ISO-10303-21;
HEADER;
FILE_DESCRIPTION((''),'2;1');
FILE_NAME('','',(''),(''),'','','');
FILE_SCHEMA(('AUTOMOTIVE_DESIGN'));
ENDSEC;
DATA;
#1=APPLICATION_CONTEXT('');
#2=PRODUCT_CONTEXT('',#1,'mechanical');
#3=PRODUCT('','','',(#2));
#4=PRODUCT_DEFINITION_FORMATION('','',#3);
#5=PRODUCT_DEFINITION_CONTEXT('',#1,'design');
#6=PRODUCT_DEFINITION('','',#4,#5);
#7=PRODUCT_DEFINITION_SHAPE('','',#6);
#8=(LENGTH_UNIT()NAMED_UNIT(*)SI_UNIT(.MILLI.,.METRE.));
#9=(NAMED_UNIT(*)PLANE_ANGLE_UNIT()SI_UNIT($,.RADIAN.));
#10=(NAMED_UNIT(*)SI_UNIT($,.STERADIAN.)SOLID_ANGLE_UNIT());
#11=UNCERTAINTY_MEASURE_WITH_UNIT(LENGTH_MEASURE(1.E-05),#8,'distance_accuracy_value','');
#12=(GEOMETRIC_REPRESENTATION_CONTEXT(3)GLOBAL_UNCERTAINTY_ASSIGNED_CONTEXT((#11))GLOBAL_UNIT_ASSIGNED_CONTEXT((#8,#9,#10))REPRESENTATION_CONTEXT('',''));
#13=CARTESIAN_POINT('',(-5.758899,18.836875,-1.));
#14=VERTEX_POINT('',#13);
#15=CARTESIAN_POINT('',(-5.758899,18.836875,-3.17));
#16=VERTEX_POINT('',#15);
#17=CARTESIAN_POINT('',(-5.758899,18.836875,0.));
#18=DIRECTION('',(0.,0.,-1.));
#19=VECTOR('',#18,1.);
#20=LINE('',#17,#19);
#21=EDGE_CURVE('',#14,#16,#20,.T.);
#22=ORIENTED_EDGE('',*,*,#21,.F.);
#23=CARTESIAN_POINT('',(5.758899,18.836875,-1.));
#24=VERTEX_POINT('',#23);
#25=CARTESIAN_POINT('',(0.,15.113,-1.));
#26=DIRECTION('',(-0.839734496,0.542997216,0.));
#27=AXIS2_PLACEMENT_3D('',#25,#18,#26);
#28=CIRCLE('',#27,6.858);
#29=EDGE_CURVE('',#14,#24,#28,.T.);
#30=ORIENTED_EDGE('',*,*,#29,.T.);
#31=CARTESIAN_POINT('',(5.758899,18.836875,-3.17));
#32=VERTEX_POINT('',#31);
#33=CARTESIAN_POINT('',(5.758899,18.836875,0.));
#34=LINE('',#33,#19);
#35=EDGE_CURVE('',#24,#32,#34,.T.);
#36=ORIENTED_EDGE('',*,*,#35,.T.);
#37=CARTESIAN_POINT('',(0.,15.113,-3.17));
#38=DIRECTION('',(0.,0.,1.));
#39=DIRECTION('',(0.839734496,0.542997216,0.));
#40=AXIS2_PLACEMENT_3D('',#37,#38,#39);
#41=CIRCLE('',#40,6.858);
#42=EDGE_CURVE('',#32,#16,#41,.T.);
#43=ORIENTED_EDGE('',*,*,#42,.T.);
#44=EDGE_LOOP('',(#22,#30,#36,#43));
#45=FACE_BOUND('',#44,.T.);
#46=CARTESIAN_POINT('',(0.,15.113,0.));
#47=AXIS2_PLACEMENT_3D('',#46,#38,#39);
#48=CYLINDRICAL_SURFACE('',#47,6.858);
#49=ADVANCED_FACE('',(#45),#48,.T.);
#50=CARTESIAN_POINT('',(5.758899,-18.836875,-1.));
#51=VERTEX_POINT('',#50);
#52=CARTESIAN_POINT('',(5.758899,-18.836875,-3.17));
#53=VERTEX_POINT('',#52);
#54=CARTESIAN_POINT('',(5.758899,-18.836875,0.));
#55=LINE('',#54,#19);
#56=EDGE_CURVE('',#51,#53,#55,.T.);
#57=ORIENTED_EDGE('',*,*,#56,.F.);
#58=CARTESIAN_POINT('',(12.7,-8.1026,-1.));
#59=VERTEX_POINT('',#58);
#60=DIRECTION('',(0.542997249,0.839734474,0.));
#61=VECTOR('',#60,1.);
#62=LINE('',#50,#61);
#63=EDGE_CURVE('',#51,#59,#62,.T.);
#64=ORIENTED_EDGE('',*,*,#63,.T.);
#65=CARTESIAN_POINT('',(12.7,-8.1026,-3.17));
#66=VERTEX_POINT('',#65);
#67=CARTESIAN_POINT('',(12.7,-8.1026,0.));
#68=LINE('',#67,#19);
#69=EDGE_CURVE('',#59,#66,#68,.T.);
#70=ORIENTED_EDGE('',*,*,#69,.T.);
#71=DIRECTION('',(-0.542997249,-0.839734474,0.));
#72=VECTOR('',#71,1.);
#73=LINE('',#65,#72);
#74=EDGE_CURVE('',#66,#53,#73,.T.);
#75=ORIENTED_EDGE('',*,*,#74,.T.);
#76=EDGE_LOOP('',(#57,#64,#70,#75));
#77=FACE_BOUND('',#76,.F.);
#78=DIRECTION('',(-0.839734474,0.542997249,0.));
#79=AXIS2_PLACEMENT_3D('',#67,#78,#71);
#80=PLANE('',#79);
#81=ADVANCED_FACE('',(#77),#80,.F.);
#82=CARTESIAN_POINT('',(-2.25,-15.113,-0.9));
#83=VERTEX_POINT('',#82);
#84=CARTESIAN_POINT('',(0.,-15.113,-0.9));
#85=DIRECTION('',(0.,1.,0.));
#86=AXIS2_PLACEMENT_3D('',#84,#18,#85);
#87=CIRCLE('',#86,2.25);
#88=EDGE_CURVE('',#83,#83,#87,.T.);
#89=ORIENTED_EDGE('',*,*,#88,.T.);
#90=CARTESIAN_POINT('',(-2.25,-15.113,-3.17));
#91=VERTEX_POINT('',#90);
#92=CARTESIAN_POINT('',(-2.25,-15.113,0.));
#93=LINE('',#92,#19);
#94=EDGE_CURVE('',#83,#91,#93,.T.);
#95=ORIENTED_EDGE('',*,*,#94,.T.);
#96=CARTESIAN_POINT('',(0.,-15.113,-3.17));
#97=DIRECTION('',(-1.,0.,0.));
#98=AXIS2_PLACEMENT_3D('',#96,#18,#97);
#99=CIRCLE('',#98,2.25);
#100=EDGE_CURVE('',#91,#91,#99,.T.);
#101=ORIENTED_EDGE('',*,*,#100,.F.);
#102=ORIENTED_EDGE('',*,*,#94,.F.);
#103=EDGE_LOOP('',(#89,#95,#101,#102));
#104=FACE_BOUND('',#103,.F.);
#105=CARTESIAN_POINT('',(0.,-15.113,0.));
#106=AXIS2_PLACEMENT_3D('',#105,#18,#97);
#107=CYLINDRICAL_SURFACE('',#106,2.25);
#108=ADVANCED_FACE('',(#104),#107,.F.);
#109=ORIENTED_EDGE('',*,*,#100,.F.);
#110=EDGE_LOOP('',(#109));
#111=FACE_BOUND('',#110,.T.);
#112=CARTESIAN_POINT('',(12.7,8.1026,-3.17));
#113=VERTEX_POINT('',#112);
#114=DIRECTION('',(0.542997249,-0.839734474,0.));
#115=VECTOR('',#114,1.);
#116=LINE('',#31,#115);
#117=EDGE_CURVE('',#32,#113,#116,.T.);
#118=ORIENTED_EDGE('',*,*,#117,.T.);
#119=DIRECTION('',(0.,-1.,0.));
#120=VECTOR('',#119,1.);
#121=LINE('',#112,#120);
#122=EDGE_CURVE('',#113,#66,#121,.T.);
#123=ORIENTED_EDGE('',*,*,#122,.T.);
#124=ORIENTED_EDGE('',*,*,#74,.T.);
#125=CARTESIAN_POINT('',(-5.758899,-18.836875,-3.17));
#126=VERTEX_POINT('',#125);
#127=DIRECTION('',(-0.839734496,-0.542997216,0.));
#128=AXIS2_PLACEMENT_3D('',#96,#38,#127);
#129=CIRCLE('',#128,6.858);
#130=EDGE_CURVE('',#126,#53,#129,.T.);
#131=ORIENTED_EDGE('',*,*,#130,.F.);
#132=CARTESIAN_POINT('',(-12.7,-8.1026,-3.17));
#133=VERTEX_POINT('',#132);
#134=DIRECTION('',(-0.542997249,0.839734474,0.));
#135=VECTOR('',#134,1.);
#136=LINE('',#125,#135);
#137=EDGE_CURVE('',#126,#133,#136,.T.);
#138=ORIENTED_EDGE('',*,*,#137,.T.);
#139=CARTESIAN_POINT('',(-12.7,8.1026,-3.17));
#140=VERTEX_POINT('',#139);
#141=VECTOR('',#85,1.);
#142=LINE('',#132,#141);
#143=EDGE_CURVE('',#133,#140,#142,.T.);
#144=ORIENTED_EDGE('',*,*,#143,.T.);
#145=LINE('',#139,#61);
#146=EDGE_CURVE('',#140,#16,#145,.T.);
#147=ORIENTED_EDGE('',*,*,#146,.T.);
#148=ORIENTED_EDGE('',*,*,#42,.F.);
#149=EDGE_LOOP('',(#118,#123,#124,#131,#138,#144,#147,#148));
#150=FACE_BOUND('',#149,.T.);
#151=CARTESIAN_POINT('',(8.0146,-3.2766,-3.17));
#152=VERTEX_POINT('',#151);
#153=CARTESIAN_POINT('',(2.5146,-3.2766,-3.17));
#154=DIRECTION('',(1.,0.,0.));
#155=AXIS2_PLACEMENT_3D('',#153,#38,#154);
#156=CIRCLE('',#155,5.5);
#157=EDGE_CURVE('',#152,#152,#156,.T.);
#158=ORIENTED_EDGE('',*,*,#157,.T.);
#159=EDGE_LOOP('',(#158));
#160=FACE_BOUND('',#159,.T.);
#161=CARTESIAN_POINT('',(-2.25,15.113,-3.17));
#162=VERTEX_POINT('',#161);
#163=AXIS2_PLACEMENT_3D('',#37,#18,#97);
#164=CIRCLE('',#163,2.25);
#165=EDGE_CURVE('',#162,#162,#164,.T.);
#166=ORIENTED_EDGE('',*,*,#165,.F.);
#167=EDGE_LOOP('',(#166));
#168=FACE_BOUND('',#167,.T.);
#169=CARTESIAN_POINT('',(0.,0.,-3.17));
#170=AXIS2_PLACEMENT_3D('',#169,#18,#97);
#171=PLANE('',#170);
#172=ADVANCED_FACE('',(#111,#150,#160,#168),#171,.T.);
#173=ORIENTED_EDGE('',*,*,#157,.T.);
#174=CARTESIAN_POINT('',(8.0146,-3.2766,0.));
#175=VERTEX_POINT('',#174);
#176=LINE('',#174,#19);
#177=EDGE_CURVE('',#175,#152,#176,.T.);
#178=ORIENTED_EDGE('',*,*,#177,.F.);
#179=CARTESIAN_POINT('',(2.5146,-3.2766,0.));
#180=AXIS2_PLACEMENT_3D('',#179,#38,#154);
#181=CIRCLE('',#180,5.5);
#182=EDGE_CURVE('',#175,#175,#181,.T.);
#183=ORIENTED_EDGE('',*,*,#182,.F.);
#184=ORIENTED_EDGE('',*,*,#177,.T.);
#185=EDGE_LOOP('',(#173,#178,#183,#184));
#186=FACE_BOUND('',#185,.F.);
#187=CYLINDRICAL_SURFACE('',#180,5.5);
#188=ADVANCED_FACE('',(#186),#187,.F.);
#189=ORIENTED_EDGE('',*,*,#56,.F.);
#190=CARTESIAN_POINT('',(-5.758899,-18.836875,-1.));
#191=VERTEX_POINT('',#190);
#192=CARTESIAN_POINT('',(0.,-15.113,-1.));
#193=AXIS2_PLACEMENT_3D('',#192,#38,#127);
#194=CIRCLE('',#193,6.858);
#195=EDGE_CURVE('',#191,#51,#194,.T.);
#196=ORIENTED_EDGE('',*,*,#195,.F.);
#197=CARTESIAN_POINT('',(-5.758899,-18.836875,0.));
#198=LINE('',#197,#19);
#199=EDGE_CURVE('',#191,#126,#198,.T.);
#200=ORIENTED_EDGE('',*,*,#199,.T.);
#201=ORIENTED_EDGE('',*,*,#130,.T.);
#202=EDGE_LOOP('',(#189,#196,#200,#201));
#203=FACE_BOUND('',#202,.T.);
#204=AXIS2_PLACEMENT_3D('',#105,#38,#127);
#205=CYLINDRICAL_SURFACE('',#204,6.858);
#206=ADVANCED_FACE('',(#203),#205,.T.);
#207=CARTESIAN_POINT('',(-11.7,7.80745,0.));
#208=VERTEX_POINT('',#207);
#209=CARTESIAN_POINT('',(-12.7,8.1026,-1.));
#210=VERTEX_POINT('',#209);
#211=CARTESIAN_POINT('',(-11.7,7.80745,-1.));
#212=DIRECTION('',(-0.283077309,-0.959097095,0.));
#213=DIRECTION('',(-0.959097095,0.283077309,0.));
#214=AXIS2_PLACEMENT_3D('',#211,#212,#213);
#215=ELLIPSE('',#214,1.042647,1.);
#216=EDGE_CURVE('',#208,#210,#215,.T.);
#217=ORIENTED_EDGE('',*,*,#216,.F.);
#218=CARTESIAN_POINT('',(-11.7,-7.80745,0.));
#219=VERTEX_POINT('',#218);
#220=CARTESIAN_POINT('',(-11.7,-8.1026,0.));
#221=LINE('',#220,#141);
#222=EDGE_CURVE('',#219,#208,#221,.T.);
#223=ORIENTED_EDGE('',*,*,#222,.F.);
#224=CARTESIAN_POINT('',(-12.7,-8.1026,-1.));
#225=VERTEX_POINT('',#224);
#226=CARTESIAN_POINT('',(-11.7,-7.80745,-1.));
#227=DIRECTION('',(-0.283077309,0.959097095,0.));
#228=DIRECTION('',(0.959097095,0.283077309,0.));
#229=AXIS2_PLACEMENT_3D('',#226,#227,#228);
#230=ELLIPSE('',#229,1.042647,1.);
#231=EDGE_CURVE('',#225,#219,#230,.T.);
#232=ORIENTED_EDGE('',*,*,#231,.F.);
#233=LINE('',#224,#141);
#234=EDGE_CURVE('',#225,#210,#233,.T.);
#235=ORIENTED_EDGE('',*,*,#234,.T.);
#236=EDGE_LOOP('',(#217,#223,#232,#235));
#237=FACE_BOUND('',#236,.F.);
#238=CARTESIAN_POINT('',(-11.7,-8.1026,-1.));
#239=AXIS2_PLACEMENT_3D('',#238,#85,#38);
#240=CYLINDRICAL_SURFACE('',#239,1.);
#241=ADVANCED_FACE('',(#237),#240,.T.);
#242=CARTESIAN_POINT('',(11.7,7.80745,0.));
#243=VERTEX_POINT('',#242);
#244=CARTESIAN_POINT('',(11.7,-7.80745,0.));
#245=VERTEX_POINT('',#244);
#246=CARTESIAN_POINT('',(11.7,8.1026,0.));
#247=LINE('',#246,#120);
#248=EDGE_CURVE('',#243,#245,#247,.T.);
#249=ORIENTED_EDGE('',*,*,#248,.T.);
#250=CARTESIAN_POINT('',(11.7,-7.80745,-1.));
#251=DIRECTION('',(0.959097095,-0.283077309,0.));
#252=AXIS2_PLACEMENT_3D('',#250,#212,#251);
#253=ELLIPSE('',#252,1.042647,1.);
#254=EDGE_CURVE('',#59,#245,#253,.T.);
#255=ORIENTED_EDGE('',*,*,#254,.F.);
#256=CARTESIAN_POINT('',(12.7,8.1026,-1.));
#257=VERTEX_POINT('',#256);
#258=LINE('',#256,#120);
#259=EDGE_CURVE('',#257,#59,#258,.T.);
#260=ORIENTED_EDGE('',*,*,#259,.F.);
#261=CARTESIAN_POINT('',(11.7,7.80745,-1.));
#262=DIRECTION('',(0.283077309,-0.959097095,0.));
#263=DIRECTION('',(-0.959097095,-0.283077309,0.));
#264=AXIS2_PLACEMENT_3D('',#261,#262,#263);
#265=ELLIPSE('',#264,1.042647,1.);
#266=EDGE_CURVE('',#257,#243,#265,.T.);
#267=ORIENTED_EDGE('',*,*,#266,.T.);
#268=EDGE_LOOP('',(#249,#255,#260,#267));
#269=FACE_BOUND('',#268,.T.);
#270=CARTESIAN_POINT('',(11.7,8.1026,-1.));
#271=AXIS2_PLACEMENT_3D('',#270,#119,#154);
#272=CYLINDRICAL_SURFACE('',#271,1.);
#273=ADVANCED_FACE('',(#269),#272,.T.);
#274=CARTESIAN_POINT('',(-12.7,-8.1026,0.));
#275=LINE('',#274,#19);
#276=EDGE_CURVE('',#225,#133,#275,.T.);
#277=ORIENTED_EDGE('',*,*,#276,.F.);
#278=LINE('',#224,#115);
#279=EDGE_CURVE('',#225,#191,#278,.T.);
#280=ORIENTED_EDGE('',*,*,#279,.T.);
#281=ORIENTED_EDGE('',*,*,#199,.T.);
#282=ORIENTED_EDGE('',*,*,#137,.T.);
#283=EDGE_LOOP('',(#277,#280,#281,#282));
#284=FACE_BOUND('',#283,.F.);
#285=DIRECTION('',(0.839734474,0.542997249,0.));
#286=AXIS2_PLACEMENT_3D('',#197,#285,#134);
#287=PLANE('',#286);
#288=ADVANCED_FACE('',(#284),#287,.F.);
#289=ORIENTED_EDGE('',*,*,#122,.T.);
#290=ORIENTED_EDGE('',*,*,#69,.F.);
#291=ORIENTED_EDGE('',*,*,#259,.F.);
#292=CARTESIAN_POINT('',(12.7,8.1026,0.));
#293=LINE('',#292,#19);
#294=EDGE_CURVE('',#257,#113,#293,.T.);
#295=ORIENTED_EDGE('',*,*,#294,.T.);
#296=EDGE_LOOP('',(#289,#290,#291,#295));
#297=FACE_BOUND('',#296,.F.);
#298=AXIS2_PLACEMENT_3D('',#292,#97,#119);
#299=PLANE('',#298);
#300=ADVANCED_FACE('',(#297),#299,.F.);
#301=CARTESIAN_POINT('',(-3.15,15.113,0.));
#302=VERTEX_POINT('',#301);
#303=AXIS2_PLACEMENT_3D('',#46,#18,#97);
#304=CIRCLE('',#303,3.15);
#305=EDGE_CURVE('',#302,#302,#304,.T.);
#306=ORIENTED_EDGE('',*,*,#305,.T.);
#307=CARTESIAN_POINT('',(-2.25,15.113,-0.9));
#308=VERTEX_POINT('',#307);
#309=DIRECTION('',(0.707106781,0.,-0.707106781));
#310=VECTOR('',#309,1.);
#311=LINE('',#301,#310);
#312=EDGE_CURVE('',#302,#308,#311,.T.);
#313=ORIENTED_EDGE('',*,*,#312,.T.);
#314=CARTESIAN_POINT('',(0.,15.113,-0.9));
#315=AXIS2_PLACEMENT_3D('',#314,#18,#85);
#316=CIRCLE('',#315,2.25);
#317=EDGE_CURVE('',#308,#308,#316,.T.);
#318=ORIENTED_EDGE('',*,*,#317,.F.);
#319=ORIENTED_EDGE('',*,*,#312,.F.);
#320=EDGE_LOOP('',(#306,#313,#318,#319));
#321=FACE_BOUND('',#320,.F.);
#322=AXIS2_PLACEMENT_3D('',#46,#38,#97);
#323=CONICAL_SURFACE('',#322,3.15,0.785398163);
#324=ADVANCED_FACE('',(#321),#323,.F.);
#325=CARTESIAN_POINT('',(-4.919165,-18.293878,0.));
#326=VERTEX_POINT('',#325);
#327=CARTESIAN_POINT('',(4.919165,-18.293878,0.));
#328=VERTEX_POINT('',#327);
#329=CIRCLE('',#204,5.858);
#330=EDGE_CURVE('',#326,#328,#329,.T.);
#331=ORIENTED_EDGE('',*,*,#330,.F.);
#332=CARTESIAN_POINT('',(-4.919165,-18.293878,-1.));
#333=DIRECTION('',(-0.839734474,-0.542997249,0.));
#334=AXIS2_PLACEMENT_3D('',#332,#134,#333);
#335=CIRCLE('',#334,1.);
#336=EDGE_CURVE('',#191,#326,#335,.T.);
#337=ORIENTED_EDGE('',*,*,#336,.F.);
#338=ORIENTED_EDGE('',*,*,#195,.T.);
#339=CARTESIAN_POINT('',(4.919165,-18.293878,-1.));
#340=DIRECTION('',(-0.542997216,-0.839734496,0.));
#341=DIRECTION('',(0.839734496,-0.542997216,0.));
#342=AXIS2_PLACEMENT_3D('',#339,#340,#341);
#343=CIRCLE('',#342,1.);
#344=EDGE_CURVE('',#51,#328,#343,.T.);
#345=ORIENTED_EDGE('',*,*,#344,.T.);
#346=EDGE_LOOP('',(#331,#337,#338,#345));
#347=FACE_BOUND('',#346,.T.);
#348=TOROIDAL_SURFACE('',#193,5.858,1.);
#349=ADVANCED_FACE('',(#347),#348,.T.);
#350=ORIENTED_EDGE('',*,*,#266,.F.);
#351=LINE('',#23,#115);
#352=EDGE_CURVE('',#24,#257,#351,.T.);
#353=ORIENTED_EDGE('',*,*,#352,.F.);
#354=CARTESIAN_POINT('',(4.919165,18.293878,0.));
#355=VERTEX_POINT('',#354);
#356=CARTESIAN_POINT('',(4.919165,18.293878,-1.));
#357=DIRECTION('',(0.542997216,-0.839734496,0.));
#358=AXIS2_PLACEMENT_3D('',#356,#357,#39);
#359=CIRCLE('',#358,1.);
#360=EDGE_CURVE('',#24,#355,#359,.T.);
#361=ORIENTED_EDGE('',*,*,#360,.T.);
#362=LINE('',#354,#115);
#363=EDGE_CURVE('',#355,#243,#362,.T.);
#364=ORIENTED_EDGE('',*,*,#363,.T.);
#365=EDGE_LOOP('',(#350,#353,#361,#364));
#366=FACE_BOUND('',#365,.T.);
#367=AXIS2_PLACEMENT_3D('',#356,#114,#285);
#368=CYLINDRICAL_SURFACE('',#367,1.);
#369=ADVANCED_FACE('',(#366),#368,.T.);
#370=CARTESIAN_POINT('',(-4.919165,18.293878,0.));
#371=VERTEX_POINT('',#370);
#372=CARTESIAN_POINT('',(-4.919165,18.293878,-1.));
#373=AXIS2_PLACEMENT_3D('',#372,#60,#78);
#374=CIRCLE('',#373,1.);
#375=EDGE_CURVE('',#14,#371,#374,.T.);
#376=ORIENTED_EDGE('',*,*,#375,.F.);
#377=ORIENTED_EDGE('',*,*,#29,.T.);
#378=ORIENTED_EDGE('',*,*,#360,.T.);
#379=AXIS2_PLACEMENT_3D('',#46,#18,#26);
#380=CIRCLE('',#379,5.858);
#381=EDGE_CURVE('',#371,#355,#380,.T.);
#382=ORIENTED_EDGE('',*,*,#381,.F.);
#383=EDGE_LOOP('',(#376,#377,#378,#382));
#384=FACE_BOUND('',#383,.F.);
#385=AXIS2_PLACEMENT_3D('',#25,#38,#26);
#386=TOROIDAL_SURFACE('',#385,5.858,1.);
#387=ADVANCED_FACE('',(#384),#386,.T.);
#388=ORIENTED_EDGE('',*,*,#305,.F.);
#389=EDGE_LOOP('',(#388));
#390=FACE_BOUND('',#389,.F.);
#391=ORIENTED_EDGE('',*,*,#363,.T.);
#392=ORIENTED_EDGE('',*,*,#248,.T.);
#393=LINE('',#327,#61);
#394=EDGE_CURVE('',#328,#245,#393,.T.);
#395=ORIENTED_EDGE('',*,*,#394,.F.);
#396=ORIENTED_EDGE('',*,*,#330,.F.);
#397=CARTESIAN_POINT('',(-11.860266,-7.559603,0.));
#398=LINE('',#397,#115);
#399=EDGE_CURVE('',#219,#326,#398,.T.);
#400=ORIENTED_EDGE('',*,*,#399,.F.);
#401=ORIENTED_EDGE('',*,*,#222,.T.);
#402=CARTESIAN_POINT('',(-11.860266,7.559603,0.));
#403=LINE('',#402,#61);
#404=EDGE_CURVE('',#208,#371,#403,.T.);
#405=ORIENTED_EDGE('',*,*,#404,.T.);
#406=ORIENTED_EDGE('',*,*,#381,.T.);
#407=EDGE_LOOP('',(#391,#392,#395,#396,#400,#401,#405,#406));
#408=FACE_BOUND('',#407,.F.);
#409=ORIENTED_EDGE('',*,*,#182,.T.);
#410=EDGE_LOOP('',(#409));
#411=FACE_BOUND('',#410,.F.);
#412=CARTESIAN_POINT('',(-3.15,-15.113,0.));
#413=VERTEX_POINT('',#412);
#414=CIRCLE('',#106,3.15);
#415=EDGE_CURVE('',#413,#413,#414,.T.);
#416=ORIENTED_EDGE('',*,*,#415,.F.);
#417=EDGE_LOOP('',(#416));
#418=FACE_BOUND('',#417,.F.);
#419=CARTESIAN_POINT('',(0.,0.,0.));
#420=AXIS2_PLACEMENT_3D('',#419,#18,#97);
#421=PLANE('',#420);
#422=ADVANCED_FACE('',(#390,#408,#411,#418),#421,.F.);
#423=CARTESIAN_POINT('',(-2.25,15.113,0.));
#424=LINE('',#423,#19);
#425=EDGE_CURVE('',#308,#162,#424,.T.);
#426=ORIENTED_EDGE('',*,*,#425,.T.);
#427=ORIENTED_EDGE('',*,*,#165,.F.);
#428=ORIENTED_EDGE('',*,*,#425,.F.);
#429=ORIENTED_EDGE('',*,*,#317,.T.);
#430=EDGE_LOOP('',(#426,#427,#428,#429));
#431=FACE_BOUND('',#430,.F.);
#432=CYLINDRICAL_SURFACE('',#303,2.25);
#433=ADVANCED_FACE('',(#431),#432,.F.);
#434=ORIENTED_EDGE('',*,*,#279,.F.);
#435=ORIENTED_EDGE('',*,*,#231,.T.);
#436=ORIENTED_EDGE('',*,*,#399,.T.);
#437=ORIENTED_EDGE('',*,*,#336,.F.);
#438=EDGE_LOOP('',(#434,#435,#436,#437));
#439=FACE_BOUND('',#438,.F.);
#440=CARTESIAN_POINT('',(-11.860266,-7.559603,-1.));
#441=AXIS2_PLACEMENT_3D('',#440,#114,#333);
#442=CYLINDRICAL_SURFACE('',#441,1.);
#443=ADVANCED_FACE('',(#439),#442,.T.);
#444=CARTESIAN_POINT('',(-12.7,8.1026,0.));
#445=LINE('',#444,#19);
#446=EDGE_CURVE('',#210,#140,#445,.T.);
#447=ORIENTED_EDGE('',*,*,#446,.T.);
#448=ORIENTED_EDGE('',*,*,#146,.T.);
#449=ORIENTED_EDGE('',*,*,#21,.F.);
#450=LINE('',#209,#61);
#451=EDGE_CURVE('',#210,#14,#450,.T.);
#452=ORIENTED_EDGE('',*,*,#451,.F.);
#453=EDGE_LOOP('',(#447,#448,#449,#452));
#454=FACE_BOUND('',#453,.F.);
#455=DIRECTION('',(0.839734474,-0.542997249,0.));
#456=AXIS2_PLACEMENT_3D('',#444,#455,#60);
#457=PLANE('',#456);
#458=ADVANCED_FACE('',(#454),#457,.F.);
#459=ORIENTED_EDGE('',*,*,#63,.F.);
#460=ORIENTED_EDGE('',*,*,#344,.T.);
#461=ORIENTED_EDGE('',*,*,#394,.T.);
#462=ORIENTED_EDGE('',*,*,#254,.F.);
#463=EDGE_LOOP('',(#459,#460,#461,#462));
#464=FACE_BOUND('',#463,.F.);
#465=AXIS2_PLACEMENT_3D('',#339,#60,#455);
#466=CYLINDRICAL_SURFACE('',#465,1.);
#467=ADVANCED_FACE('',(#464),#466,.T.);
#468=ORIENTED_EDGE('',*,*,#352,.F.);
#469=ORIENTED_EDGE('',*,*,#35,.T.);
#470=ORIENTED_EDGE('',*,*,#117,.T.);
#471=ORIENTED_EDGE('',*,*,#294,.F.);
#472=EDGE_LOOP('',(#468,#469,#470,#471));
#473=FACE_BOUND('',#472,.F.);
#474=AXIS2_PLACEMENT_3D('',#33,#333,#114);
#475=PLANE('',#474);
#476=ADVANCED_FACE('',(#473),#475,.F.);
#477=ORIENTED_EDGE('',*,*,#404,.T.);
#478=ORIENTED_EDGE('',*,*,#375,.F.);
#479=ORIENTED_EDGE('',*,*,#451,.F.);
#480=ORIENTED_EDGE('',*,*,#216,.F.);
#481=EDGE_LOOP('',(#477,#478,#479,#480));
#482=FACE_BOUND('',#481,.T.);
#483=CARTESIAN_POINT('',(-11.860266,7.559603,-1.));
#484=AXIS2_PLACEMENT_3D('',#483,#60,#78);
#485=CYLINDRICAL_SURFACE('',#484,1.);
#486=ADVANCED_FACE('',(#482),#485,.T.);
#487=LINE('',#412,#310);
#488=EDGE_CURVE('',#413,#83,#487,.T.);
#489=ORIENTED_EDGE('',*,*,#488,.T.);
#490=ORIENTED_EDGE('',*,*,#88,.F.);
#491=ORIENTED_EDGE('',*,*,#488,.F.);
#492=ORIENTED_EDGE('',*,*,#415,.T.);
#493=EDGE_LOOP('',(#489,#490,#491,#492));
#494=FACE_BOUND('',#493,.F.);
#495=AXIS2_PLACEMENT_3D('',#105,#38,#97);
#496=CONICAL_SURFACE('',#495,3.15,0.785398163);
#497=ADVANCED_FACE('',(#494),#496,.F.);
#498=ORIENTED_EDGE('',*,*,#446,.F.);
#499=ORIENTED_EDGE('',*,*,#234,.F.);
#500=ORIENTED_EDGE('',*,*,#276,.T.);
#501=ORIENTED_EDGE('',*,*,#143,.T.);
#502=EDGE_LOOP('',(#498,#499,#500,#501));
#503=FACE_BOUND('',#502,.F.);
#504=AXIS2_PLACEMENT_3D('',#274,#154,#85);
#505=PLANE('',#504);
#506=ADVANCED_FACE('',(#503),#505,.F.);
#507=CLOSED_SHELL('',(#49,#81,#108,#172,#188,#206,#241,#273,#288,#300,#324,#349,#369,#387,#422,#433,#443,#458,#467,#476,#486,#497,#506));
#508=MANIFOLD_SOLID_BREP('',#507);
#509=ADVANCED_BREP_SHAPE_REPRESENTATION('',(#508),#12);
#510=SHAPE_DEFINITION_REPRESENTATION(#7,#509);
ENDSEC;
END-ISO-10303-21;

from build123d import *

# Parameters (mm, degrees)
SKETCH_R         = 5.5
PAD_DEPTH        = 3.17
HOLE_D           = 4.5
HOLE_DEPTH       = 25
HOLE_CSINK_D     = 6.3
HOLE_CSINK_ANGLE = 90
FILLET_R         = 1


with BuildPart() as part:
    # Sketch → Pad (new body)
    with BuildSketch(Plane.XY):
        with BuildLine():
            Line((-12.7, 8.1026), (-5.758899, 18.836875))
            ThreePointArc((5.758899, 18.836875), (0, 21.971), (-5.758899, 18.836875))
            Line((5.758899, 18.836875), (12.7, 8.1026))
            Line((12.7, 8.1026), (12.7, -8.1026))
            Line((12.7, -8.1026), (5.758899, -18.836875))
            ThreePointArc((-5.758899, -18.836875), (0, -21.971), (5.758899, -18.836875))
            Line((-5.758899, -18.836875), (-12.7, -8.1026))
            Line((-12.7, -8.1026), (-12.7, 8.1026))
        make_face()
        with Locations((2.5146, -3.2766)):
            Circle(SKETCH_R, mode=Mode.SUBTRACT)
    extrude(amount=-PAD_DEPTH)

    # Hole
    with Locations(Plane.XY):
        with Locations((0, 15.113), (0, -15.113)):
            CounterSinkHole(HOLE_D / 2, HOLE_CSINK_D / 2, depth=HOLE_DEPTH, counter_sink_angle=HOLE_CSINK_ANGLE)

    # Fillet
    fillet_edges = [part.edges().sort_by_distance(p)[0] for p in [
        (0, -21.971, 0),
        (12.7, 0, 0),
        (-12.7, 0, 0),
        (-9.22945, 13.469738, 0),
    ]]
    fillet(fillet_edges, radius=FILLET_R)


solid = part.part
